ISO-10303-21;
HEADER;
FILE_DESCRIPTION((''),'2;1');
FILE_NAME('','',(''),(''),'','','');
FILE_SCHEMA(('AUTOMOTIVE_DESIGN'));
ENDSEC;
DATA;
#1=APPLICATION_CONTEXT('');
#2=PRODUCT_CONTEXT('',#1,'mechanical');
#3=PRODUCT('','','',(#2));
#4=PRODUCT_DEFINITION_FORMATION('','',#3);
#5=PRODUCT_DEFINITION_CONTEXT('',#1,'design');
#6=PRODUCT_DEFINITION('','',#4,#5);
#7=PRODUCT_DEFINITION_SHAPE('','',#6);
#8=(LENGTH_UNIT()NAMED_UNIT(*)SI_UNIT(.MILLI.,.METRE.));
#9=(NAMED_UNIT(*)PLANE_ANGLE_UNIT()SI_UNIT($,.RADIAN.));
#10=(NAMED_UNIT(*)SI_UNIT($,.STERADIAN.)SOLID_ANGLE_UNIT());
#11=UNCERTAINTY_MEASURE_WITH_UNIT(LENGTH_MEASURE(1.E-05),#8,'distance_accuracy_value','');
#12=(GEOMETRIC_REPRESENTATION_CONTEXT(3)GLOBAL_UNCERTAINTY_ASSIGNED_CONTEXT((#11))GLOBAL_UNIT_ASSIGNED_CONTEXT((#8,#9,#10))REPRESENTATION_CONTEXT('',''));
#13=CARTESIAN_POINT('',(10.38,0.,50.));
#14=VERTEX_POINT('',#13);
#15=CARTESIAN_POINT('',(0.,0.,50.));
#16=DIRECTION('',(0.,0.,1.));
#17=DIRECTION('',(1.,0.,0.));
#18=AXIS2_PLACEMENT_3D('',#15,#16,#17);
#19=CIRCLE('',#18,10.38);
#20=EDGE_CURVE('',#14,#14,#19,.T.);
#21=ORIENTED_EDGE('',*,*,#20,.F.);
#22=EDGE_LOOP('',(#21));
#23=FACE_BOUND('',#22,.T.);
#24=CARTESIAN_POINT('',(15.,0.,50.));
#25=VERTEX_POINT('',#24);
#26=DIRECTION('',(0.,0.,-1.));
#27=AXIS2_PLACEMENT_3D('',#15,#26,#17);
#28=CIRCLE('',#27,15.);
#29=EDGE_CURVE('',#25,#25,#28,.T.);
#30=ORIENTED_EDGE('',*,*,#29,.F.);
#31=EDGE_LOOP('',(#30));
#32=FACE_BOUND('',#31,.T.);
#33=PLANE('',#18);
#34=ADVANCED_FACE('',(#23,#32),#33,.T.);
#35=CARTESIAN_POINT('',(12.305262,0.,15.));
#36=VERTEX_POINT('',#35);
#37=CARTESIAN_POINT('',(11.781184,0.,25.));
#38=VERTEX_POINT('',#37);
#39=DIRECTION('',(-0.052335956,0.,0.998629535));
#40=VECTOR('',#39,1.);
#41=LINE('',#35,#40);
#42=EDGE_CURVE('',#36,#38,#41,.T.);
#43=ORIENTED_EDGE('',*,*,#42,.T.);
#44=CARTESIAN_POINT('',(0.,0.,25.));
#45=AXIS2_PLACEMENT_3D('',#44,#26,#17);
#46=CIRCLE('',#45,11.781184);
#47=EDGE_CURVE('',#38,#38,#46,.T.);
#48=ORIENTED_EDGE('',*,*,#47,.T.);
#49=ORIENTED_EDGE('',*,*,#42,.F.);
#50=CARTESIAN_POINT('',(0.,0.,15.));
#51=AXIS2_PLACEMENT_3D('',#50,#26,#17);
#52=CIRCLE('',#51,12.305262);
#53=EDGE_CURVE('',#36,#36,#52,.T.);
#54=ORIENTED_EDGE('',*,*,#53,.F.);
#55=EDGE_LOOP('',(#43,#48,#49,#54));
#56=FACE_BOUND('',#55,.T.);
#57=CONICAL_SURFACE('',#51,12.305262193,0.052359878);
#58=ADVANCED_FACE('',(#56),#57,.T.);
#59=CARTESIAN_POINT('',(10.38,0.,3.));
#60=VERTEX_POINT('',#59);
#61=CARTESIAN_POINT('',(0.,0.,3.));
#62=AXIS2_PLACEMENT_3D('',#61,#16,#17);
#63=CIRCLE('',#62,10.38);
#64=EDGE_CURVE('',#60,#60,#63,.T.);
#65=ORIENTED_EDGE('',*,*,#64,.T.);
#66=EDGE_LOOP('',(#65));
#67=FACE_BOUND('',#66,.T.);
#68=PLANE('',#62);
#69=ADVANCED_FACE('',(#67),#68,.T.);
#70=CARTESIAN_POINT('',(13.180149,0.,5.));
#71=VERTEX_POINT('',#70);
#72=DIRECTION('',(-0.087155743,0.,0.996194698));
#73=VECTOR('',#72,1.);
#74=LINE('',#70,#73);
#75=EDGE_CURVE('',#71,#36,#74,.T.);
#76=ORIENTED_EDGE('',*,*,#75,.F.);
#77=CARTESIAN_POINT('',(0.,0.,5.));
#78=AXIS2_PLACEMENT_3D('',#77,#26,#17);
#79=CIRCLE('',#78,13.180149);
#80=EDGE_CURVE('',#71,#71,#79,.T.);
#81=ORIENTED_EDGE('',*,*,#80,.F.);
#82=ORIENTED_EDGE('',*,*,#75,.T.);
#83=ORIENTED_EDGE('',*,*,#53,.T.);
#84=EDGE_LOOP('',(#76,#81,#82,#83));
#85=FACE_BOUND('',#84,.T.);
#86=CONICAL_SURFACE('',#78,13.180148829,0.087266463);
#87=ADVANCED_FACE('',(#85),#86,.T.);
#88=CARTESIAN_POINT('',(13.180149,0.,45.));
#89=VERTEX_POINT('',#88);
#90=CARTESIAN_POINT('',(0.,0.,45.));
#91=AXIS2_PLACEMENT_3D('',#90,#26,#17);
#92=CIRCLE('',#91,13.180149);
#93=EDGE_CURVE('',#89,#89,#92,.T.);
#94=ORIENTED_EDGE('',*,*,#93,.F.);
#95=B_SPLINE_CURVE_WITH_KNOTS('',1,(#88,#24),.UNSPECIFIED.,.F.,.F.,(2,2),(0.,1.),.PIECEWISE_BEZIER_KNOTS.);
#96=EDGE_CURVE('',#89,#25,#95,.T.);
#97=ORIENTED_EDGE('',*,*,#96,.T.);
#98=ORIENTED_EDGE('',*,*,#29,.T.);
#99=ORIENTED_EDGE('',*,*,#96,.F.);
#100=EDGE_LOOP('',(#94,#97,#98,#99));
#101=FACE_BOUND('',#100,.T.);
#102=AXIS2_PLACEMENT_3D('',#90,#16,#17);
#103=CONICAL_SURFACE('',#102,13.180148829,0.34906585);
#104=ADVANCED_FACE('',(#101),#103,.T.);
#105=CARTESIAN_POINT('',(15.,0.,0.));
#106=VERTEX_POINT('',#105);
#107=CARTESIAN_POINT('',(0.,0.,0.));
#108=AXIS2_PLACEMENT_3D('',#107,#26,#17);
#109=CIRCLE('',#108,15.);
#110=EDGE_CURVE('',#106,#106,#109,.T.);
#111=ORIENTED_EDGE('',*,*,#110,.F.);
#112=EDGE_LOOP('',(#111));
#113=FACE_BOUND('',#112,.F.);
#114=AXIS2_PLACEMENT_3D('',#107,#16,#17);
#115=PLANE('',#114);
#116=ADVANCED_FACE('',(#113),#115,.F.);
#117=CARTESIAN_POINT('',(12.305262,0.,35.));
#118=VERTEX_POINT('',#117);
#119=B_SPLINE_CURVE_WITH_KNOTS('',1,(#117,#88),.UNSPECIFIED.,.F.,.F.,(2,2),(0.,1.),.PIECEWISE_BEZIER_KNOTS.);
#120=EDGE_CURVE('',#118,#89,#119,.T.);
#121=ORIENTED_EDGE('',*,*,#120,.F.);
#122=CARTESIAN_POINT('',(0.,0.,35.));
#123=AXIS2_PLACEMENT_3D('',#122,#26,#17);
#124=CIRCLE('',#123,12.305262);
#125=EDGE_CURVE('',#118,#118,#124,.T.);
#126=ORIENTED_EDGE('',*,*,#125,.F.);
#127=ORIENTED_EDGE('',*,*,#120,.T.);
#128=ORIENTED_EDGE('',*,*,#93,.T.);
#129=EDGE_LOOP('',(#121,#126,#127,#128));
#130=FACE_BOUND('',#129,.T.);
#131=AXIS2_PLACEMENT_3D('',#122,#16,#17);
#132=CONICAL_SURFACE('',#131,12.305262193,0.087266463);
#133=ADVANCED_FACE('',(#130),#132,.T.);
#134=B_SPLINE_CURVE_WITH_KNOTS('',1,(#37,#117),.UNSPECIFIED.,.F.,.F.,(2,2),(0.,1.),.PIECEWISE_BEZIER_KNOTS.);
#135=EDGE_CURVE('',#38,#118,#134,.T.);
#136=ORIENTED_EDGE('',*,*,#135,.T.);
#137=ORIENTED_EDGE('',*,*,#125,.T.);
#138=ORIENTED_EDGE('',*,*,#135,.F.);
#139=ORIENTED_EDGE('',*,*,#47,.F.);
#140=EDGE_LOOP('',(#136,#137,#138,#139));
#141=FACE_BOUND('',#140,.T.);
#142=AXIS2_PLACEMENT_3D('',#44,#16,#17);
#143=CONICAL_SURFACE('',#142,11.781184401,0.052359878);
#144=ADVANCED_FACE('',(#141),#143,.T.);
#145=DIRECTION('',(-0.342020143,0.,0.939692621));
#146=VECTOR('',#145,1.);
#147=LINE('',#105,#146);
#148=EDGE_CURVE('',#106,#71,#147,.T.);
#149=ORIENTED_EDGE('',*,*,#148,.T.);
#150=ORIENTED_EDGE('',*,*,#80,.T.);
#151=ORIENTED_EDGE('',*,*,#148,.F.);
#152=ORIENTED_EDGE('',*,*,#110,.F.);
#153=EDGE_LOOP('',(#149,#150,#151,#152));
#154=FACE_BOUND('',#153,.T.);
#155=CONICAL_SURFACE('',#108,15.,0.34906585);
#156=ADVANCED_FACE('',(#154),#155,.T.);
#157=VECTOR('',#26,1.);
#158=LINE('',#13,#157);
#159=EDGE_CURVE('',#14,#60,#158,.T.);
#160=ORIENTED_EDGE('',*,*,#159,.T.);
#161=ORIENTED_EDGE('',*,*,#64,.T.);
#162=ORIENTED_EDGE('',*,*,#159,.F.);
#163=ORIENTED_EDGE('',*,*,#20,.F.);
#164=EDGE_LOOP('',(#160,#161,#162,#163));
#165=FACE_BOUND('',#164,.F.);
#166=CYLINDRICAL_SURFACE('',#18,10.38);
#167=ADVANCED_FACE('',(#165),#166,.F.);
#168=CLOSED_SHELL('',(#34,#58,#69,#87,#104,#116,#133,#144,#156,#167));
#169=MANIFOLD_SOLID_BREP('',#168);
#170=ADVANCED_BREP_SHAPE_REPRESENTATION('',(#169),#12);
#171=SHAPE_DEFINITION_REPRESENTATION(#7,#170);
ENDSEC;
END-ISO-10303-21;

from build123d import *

# Parameters (mm, degrees)
F0_R      = 15
F1_DEPTH  = 5
F1_TAPER  = 20
F1_FACE_R = 13.1801488287
F2_DEPTH  = 10
F2_TAPER  = 5
F2_FACE_R = 12.3052621934
F3_DEPTH  = 10
F3_TAPER  = 3
F3_FACE_R = 11.7811844006
F4_DEPTH  = 10
F4_TAPER  = -3
F4_FACE_R = 12.3052621934
F5_DEPTH  = 10
F5_TAPER  = -5
F5_FACE_R = 13.1801488287
F6_DEPTH  = 5
F6_TAPER  = -20
F7_R      = 10.38
F8_DEPTH  = 47


with BuildPart() as f1:
    # F0 (on Top) → F1 (new body)
    with BuildSketch(Plane.XY):
        Circle(F0_R)
    extrude(amount=F1_DEPTH, taper=F1_TAPER)

    # F1_face (on face) → F2 (join)
    with BuildSketch(Plane.XY.offset(5)):
        Circle(F1_FACE_R)
    extrude(amount=F2_DEPTH, taper=F2_TAPER)

    # F2_face (on face) → F3 (join)
    with BuildSketch(Plane.XY.offset(15)):
        Circle(F2_FACE_R)
    extrude(amount=F3_DEPTH, taper=F3_TAPER)

    # F3_face (on face) → F4 (join)
    with BuildSketch(Plane.XY.offset(25)):
        Circle(F3_FACE_R)
    extrude(amount=F4_DEPTH, taper=F4_TAPER)

    # F4_face (on face) → F5 (join)
    with BuildSketch(Plane.XY.offset(35)):
        Circle(F4_FACE_R)
    extrude(amount=F5_DEPTH, taper=F5_TAPER)

    # F5_face (on face) → F6 (join)
    with BuildSketch(Plane.XY.offset(45)):
        Circle(F5_FACE_R)
    extrude(amount=F6_DEPTH, taper=F6_TAPER)

    # F7 (on face) → F8 (cut)
    with BuildSketch(Plane.XY.offset(50)):
        Circle(F7_R)
    extrude(amount=-F8_DEPTH, mode=Mode.SUBTRACT)


solid = f1.part
